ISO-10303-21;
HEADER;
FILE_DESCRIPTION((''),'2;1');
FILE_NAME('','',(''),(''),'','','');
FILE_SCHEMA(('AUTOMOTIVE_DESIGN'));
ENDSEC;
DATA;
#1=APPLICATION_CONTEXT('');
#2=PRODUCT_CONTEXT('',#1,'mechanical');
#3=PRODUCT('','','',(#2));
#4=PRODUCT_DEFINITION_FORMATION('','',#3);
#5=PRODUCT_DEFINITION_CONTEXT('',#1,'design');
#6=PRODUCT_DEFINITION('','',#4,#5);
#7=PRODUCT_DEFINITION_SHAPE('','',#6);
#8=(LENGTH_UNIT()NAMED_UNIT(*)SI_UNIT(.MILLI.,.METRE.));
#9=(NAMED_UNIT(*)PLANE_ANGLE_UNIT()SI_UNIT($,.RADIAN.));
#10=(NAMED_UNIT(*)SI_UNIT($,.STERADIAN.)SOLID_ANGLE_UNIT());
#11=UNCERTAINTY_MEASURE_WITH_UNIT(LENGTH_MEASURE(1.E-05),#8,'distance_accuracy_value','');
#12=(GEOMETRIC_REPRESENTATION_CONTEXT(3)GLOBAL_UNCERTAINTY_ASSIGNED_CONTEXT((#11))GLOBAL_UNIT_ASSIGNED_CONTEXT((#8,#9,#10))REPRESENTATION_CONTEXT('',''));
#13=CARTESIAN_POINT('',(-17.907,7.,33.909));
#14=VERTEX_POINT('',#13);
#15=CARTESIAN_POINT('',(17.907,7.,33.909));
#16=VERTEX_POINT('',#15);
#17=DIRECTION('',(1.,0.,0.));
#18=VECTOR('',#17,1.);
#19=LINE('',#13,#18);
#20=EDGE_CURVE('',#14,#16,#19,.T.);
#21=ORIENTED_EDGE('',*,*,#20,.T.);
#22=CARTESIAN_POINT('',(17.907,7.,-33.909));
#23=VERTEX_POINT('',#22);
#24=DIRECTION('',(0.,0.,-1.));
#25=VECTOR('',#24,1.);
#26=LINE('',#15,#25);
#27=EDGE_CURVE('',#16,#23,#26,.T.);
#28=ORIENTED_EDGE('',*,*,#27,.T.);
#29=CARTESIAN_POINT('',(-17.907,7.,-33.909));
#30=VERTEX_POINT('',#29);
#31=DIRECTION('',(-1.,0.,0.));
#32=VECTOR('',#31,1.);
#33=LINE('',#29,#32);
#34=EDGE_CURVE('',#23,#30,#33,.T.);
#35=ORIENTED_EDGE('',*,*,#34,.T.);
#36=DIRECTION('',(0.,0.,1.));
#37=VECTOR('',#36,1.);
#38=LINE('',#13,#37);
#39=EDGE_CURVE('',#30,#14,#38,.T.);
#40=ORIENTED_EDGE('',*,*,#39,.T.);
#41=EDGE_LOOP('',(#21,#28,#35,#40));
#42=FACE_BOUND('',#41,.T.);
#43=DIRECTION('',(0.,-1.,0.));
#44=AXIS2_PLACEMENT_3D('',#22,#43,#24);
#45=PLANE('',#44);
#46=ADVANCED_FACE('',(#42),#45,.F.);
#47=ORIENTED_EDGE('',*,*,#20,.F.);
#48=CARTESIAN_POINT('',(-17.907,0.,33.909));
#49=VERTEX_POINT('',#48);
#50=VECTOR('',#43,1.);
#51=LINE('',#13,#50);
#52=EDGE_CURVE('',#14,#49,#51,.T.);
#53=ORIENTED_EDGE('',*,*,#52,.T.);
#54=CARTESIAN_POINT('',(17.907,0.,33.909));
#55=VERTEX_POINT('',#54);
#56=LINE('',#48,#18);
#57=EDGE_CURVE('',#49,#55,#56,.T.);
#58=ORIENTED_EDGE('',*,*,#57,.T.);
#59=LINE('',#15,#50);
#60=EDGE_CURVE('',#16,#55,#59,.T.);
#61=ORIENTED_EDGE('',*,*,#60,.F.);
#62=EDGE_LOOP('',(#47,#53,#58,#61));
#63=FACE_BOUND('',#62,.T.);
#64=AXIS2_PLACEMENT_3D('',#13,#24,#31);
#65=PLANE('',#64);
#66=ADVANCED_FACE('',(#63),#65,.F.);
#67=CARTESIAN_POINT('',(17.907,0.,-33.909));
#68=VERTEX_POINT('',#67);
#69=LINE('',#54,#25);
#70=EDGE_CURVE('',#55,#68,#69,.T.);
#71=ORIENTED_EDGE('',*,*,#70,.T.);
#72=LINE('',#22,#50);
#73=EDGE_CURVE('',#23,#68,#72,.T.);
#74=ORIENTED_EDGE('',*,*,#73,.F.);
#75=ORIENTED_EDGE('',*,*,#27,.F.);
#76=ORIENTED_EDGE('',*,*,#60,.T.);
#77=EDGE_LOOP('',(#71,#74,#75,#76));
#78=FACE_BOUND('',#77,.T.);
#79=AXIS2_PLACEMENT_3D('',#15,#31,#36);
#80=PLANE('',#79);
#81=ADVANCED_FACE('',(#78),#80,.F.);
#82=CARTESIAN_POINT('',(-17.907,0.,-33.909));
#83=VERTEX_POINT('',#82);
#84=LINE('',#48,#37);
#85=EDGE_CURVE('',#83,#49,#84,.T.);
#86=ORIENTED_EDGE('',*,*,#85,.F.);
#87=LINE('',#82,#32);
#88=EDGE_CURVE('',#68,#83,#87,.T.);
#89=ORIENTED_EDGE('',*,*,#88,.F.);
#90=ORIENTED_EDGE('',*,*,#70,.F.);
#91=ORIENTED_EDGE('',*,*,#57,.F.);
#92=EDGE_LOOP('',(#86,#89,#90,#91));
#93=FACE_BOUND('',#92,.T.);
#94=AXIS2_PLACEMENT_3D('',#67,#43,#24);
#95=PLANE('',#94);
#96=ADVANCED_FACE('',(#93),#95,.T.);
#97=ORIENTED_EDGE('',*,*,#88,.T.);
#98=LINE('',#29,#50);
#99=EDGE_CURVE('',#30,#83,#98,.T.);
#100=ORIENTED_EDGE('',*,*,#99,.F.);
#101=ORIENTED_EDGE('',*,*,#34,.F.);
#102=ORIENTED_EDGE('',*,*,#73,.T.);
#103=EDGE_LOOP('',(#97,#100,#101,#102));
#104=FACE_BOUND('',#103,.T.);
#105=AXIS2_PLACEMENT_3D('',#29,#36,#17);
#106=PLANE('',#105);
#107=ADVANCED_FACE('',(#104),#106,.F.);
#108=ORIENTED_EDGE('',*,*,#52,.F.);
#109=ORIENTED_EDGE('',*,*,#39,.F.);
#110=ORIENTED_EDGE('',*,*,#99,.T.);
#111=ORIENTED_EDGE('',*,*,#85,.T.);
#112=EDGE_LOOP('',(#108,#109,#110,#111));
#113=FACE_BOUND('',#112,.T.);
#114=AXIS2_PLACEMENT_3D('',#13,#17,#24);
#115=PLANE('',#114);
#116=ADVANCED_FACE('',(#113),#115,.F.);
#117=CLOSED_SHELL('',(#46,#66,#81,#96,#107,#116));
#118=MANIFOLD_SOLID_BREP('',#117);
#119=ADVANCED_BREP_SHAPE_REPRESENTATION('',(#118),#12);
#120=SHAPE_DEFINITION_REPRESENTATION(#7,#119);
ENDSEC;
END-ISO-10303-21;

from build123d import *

# Parameters (mm, degrees)
SKETCH1_W           = 35.814
SKETCH1_H           = 67.818
BOSS_EXTRUDE1_DEPTH = 7


with BuildPart() as part:
    # Sketch1 → Boss-Extrude1 (new body)
    with BuildSketch(Plane(origin=(0, 0, 0), x_dir=(1, 0, 0), z_dir=(0, 1, 0))):
        Rectangle(SKETCH1_W, SKETCH1_H)
    extrude(amount=BOSS_EXTRUDE1_DEPTH)


solid = part.part
